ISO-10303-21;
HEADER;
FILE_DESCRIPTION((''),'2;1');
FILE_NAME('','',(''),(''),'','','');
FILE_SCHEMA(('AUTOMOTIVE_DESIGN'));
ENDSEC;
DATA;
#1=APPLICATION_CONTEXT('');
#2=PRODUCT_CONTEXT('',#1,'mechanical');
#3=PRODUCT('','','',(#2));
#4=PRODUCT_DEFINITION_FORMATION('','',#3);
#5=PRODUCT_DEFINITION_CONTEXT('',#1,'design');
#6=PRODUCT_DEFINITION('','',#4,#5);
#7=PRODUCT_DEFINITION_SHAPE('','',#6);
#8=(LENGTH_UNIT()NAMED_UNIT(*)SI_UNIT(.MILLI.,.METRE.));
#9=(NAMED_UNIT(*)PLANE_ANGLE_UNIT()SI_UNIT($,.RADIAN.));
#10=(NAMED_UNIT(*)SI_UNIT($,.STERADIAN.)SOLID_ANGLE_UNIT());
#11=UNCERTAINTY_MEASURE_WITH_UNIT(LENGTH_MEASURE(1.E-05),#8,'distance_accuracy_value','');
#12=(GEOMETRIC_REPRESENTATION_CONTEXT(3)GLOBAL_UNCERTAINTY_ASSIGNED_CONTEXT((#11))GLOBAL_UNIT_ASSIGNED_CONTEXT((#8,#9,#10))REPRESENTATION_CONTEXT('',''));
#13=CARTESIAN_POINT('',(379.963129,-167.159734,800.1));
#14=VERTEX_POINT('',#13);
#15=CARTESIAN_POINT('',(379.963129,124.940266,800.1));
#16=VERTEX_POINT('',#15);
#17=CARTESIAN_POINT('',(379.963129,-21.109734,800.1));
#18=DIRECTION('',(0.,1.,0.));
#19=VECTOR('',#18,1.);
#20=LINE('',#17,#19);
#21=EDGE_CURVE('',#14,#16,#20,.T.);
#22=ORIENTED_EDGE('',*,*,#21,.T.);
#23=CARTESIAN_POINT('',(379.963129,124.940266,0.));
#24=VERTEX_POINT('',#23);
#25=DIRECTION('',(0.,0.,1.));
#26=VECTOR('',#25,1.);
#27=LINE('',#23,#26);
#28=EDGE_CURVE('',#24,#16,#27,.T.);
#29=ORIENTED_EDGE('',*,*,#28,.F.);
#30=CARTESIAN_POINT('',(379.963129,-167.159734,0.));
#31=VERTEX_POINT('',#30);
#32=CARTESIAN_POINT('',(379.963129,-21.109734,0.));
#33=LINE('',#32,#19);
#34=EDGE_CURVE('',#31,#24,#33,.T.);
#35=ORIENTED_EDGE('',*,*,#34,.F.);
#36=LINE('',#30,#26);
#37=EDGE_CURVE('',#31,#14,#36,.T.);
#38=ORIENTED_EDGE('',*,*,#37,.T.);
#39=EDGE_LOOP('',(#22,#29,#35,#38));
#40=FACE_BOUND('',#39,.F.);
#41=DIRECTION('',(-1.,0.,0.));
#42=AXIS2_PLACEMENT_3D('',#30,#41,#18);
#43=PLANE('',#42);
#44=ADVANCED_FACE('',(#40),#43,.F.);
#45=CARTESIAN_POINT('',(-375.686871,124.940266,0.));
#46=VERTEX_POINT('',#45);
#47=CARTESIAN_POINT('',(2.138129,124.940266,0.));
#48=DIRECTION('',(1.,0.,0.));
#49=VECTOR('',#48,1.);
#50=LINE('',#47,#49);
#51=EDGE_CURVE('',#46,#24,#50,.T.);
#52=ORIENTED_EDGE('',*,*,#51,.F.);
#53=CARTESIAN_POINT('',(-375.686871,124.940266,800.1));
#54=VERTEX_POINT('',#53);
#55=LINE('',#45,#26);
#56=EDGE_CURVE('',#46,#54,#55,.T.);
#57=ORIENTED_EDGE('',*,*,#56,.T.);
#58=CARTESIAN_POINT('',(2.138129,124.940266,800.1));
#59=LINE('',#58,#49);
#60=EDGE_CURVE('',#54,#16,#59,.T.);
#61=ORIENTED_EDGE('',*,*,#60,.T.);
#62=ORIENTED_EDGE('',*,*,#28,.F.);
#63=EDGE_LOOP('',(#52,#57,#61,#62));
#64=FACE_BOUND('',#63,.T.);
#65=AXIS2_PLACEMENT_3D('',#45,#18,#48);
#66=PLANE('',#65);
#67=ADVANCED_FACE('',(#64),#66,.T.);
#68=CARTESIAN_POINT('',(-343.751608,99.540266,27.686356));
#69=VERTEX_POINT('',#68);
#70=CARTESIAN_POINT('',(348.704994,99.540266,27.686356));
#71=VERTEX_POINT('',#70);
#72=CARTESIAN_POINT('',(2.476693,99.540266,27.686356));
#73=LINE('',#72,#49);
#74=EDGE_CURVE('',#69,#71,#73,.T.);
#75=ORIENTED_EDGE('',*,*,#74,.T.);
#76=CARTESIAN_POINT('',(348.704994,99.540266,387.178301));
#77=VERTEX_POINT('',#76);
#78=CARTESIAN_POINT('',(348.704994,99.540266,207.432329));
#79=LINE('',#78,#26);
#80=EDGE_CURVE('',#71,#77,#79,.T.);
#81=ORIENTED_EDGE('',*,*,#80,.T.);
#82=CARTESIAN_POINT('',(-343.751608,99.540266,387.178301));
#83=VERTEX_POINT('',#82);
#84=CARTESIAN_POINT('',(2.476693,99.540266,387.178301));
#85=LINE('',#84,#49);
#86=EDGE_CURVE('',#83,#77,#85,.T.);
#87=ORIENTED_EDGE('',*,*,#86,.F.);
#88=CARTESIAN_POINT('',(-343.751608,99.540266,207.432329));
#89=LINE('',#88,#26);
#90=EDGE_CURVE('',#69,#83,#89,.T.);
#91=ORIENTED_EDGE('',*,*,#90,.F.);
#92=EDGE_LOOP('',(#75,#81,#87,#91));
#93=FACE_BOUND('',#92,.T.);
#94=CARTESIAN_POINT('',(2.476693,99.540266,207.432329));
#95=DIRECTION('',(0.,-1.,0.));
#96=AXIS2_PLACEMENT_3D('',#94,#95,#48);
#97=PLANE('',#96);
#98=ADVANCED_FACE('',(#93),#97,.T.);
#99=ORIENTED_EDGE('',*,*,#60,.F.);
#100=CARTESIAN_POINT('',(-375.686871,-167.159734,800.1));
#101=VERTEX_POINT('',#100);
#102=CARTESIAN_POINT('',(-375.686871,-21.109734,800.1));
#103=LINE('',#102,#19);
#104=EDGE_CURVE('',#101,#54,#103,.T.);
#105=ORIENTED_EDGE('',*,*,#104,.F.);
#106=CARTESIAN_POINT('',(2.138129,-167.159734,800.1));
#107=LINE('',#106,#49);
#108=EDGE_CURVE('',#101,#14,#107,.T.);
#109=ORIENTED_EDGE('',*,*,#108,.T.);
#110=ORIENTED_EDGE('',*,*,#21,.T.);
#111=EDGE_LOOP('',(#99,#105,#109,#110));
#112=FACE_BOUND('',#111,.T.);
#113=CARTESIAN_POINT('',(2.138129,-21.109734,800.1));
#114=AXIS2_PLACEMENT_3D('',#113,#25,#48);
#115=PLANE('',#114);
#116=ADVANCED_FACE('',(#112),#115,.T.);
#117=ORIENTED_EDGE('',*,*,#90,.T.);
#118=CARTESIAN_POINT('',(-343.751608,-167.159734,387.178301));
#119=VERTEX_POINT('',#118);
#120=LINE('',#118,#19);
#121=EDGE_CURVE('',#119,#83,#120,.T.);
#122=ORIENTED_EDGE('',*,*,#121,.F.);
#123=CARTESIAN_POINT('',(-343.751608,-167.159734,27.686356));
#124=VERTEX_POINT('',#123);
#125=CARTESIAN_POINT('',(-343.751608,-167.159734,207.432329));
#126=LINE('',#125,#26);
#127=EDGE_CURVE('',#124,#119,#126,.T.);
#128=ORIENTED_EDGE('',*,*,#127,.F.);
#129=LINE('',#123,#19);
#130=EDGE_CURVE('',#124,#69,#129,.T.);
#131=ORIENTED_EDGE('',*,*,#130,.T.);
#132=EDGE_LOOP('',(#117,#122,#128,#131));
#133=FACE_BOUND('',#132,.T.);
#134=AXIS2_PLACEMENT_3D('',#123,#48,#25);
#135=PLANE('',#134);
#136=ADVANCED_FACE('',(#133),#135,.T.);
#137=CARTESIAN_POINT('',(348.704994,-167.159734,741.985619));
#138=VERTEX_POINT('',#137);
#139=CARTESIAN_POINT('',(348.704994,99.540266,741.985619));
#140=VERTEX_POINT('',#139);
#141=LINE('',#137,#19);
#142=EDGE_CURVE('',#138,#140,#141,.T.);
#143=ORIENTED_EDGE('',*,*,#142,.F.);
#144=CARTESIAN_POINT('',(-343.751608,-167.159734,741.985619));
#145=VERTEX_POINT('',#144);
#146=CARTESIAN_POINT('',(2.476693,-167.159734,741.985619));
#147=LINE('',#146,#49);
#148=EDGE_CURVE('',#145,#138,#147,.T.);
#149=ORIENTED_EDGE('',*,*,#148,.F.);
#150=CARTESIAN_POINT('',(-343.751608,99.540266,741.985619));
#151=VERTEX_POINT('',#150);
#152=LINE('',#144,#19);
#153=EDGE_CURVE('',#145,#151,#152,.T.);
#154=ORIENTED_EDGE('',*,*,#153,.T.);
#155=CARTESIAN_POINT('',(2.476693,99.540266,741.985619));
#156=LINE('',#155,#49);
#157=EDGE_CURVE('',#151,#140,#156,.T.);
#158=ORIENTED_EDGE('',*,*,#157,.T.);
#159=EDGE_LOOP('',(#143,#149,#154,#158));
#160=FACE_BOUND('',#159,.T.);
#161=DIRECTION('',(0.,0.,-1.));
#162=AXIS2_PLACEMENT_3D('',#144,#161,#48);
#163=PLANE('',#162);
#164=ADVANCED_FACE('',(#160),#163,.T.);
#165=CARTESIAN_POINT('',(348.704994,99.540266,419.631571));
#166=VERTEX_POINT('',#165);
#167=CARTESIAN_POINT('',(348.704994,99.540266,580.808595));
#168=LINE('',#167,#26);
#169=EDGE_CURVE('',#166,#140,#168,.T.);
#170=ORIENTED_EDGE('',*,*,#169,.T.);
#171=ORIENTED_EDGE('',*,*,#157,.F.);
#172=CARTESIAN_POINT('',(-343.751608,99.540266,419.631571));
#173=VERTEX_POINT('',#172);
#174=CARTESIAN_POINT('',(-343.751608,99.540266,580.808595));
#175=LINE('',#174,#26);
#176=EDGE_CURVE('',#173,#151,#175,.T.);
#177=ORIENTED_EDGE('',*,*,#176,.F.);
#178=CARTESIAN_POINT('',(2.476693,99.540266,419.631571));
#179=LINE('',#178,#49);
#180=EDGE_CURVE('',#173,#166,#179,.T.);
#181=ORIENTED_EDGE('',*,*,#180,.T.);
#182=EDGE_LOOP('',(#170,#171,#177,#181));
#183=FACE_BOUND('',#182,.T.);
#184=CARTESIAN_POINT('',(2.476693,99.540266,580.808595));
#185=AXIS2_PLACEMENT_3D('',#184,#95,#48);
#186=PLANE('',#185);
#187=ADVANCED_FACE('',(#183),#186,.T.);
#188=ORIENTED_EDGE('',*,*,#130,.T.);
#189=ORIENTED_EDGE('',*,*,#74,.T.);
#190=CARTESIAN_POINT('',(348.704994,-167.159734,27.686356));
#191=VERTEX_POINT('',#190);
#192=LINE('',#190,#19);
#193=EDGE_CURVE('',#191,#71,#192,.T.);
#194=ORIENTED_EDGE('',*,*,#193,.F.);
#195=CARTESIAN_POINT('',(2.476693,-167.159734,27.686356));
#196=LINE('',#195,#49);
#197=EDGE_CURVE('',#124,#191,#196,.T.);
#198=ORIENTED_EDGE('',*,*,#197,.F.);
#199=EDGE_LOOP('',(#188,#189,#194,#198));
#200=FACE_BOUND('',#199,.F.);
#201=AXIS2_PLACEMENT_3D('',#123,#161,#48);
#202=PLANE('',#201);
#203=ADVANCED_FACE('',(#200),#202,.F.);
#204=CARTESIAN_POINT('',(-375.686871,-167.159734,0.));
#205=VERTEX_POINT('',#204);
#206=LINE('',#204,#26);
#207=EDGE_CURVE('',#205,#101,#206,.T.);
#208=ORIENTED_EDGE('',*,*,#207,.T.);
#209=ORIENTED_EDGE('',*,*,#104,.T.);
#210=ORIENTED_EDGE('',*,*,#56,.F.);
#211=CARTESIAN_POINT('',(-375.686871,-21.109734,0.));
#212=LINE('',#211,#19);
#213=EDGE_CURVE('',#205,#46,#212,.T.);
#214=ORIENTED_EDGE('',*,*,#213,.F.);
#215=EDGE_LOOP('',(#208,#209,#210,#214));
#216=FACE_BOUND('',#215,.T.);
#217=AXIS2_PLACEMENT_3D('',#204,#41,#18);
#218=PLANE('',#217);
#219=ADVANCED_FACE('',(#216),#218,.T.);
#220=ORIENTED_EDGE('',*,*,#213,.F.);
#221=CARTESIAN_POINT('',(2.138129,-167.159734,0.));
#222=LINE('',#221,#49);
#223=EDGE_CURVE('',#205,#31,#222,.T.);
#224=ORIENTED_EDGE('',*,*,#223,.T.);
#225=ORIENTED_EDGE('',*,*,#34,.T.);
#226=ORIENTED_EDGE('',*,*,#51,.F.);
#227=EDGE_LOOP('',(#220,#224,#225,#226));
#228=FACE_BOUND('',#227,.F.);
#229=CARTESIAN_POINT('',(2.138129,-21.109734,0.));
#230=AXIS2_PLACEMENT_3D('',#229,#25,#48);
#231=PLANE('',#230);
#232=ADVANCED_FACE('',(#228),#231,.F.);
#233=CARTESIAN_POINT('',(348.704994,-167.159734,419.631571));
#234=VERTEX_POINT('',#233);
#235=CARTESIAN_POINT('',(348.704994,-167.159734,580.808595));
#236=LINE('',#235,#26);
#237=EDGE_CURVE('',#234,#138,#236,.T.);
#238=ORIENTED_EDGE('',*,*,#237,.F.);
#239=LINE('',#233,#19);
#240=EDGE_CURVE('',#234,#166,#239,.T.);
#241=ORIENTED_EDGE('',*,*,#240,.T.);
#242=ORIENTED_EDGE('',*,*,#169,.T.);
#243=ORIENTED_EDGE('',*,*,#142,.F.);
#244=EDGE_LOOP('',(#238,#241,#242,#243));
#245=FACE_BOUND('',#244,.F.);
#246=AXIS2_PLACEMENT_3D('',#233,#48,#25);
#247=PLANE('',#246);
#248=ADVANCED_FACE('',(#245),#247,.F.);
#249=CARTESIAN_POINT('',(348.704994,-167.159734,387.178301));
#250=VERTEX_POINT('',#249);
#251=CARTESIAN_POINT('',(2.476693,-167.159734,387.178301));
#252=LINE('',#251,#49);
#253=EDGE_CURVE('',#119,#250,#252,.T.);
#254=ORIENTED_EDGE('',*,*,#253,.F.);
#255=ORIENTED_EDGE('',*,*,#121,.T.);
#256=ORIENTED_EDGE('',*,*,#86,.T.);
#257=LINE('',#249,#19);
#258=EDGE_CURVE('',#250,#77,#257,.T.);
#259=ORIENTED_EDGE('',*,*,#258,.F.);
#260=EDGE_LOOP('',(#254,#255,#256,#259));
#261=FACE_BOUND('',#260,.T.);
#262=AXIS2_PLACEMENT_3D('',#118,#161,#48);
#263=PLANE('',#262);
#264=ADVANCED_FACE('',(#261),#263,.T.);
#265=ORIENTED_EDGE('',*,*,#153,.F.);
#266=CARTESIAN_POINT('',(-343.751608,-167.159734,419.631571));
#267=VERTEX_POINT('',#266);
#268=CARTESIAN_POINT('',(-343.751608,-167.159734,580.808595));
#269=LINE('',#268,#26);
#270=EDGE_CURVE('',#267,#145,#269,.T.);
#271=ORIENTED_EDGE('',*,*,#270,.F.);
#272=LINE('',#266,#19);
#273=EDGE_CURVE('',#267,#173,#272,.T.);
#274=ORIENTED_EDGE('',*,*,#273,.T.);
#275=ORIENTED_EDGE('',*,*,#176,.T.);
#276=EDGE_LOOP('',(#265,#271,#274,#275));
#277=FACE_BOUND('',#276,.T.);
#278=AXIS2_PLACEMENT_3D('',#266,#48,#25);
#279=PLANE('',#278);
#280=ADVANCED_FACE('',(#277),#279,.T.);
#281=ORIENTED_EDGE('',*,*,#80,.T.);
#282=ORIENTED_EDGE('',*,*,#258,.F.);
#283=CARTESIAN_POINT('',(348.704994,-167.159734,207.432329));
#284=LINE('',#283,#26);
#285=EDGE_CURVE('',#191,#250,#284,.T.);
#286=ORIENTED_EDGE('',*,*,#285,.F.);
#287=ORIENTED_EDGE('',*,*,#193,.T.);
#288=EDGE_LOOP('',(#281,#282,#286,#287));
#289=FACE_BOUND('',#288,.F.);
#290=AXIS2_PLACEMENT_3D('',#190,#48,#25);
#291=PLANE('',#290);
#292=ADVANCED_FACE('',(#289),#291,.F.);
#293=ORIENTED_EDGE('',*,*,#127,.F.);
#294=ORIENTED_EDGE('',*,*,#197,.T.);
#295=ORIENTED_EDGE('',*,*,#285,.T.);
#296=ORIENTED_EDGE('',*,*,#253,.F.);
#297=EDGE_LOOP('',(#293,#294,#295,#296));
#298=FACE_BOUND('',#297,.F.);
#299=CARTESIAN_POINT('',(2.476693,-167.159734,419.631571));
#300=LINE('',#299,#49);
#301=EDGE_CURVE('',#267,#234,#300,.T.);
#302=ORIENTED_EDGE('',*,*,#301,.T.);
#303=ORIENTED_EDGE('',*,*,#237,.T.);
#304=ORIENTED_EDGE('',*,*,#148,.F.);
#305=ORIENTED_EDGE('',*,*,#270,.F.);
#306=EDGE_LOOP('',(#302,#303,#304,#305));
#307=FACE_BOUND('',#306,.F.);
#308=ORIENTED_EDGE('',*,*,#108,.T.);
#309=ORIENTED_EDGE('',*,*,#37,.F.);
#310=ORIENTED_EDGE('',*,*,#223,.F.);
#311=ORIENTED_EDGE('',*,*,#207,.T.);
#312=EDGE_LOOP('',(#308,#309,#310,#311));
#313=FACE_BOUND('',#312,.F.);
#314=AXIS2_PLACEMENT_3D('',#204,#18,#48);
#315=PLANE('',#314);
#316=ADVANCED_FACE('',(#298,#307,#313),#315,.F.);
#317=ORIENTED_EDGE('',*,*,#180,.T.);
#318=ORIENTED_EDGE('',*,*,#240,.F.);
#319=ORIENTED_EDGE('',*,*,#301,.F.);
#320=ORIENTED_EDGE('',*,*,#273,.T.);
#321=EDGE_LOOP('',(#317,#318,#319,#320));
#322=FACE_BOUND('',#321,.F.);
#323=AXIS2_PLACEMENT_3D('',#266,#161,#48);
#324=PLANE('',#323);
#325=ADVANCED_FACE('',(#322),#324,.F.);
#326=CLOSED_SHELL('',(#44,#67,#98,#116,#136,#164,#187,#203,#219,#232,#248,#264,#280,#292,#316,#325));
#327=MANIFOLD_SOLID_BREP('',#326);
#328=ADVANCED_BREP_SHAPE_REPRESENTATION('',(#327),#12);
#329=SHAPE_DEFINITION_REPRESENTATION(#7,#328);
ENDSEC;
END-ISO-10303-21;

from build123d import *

# Parameters (mm, degrees)
F0_W     = 755.65
F0_H     = 292.1
F1_DEPTH = 800.1
F2_W     = 692.456603
F2_H     = 359.491945
F3_DEPTH = 266.7
F4_W     = 692.456603
F4_H     = 322.354048
F5_DEPTH = 266.7


with BuildPart() as f1:
    # F0 (on Top) → F1 (new body)
    with BuildSketch(Plane.XY):
        with Locations((2.138129, -21.109734)):
            Rectangle(F0_W, F0_H)
    extrude(amount=F1_DEPTH)

    # F2 (on face) → F3 (cut)
    with BuildSketch(Plane.XZ.offset(167.159734)):
        with Locations((2.476693, 207.432329)):
            Rectangle(F2_W, F2_H)
    extrude(amount=-F3_DEPTH, mode=Mode.SUBTRACT)

    # F4 (on face) → F5 (cut)
    with BuildSketch(Plane.XZ.offset(167.159734)):
        with Locations((2.476693, 580.808595)):
            Rectangle(F4_W, F4_H)
    extrude(amount=-F5_DEPTH, mode=Mode.SUBTRACT)


solid = f1.part
